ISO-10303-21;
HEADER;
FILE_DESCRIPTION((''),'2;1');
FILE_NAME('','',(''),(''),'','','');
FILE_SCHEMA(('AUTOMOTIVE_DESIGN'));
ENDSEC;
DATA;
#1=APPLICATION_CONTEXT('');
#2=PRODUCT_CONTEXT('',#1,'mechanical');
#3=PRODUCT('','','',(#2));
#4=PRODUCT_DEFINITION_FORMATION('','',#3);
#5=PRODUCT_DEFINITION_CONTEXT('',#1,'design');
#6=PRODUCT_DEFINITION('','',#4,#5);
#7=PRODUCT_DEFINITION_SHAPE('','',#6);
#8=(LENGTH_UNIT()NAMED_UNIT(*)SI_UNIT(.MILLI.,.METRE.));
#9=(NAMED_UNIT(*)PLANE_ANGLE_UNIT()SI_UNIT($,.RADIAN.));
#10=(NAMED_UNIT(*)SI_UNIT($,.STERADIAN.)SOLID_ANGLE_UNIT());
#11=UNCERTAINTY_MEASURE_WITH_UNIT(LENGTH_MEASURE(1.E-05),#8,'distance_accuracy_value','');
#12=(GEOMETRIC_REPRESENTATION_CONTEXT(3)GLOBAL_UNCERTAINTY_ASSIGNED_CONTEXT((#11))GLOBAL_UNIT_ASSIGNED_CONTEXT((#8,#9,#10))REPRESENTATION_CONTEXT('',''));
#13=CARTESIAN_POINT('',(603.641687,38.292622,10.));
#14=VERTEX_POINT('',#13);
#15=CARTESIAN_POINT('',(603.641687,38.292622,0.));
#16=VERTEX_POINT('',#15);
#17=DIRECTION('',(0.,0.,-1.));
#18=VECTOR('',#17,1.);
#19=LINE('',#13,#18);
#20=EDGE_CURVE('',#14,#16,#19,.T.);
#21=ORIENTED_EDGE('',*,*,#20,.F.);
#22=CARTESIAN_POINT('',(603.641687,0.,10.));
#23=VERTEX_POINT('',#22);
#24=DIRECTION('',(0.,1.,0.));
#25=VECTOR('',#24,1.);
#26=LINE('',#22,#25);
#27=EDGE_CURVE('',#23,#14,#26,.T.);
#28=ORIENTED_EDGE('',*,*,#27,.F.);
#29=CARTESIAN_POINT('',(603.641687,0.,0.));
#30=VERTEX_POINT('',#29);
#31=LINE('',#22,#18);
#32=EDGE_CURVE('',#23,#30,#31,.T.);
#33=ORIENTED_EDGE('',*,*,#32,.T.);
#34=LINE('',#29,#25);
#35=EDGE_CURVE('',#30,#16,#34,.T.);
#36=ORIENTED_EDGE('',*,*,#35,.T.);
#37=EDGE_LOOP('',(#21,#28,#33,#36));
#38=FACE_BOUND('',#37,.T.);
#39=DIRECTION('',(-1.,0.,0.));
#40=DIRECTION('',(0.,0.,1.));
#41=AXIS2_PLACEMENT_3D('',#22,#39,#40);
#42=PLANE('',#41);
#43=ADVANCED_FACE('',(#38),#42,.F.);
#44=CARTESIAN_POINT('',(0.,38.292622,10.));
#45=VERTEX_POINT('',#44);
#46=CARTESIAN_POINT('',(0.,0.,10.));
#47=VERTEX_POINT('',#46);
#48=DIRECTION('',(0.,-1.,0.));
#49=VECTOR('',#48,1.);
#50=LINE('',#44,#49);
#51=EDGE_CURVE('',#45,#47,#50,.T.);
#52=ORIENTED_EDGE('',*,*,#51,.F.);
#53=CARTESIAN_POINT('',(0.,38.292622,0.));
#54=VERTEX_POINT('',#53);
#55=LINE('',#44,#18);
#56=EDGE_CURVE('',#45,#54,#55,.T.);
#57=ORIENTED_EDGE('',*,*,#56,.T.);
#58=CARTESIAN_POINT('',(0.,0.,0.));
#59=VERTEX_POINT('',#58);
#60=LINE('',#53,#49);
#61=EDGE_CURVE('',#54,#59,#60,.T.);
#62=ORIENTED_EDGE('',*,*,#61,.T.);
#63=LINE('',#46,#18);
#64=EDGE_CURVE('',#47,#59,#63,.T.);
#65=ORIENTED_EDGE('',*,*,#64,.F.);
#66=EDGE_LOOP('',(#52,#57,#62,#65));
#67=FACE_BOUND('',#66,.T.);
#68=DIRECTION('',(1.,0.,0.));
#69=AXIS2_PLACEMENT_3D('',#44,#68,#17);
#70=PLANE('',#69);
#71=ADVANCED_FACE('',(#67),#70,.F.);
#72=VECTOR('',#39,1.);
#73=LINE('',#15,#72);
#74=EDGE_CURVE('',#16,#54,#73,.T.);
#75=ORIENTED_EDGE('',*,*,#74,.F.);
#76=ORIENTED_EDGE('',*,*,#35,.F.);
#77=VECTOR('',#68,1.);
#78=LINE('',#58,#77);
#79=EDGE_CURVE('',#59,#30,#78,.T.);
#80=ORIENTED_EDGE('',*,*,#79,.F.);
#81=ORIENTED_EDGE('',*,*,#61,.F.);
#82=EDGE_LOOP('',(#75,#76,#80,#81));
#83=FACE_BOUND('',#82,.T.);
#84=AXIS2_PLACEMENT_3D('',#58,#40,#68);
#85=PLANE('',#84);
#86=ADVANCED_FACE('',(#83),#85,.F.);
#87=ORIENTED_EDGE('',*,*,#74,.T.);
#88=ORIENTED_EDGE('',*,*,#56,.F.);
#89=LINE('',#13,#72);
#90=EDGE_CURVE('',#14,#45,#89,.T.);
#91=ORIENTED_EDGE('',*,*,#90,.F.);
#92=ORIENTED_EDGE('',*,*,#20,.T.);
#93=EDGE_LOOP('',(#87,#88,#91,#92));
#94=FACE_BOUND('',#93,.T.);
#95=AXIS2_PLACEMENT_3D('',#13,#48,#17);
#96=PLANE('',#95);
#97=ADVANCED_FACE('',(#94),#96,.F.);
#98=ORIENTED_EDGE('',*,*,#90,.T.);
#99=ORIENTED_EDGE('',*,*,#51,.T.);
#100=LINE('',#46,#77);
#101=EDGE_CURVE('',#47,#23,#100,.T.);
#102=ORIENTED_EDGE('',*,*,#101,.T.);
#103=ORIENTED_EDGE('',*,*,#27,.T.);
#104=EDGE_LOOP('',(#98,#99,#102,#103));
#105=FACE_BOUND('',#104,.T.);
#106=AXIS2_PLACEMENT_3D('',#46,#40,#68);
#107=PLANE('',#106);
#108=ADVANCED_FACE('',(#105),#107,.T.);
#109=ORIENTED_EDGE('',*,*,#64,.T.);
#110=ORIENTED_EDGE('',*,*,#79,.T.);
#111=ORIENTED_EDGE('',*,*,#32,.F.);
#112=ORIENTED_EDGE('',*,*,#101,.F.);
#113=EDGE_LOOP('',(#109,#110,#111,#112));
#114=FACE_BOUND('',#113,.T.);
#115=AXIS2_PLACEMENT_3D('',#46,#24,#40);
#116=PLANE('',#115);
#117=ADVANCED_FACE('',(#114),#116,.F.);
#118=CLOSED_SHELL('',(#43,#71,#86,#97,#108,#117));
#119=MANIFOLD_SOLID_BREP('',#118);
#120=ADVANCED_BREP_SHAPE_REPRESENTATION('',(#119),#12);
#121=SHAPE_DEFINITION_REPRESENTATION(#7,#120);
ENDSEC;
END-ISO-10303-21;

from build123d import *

# Parameters (mm, degrees)
SKETCH1_W           = 603.641687447
SKETCH1_H           = 38.292622135
BOSS_EXTRUDE1_DEPTH = 10


with BuildPart() as part:
    # Sketch1 → Boss-Extrude1 (new body)
    with BuildSketch(Plane.XY):
        with Locations((301.820843723, 19.146311068)):
            Rectangle(SKETCH1_W, SKETCH1_H)
    extrude(amount=BOSS_EXTRUDE1_DEPTH)


solid = part.part
